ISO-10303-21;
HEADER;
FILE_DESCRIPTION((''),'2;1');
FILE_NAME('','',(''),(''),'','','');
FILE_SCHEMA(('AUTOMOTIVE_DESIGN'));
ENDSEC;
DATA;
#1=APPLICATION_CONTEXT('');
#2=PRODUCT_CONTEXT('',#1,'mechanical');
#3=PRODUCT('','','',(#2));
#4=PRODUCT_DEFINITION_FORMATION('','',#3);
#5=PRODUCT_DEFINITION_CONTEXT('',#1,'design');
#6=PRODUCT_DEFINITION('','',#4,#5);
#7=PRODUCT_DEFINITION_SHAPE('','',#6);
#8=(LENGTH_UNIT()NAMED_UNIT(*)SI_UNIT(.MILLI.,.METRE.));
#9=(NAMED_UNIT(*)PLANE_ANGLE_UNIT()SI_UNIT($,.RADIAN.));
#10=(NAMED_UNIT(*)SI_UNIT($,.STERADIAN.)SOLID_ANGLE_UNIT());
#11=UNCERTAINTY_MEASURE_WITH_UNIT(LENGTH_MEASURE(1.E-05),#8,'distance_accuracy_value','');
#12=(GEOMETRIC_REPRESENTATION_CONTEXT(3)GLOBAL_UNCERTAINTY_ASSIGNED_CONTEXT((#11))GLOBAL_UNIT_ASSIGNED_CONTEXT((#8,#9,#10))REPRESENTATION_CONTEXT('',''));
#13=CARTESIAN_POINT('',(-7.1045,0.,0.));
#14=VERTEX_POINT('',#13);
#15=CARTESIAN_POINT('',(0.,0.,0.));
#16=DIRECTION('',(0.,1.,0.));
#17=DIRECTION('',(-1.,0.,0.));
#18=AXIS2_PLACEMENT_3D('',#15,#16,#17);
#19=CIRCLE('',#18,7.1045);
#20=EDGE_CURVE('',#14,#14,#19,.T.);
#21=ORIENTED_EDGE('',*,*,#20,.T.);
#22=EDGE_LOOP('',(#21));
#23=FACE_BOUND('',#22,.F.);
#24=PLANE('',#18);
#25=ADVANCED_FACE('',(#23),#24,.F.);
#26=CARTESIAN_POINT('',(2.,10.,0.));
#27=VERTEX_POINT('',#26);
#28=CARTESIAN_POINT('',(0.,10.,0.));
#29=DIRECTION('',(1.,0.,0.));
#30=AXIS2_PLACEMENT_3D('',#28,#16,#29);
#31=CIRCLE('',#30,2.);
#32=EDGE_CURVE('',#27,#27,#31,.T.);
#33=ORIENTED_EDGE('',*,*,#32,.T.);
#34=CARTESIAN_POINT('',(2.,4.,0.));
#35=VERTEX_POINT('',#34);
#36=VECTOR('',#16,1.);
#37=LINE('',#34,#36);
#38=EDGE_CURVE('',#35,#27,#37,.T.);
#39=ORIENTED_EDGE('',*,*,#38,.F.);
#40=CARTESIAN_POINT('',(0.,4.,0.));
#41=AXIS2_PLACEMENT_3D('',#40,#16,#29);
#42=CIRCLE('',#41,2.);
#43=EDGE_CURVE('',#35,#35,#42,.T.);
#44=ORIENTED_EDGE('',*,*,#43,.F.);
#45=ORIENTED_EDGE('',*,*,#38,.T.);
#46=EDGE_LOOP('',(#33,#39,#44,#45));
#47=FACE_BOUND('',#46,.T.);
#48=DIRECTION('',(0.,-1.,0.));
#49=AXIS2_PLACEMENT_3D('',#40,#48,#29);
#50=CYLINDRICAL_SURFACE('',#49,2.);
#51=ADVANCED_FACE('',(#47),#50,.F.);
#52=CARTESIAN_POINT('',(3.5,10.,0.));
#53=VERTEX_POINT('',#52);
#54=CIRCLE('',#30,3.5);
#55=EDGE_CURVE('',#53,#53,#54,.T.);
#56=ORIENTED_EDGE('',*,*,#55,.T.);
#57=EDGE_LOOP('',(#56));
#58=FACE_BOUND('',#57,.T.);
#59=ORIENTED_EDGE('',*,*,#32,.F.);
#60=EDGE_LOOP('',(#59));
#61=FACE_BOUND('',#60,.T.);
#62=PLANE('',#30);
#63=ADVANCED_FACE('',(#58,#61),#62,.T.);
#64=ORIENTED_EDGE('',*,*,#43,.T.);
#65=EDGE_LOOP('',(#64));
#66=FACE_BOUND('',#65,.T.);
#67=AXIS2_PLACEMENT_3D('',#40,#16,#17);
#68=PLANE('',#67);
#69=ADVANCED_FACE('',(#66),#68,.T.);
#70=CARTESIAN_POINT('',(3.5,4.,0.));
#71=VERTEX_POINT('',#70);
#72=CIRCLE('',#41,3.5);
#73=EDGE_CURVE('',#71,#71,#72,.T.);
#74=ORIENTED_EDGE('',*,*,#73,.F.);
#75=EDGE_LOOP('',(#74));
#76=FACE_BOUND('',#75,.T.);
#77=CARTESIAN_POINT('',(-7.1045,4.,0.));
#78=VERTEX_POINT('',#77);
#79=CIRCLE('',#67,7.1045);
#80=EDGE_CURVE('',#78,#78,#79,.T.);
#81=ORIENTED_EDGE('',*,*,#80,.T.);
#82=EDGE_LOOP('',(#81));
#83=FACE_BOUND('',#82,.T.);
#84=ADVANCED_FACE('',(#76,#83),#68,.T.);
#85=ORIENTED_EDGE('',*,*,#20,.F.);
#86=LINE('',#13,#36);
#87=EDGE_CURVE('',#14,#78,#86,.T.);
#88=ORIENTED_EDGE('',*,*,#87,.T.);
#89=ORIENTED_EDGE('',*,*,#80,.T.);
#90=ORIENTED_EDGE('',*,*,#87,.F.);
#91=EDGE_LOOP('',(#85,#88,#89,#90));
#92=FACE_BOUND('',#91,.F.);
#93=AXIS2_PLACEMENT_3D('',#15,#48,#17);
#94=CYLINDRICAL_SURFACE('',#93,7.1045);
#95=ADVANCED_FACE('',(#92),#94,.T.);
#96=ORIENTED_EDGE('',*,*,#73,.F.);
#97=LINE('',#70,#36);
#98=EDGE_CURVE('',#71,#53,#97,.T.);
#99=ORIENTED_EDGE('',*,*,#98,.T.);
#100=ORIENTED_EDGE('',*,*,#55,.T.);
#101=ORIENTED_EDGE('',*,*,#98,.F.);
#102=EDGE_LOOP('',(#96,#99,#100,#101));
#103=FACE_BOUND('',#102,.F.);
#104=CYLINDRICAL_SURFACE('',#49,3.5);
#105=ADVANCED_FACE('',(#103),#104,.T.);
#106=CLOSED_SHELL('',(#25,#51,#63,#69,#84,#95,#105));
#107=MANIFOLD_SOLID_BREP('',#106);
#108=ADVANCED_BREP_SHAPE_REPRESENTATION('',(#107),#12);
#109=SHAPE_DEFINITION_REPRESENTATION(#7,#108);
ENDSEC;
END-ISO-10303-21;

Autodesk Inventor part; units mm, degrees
ref_plane "YZ Plane" through (0, 0, 0) normal (1, 0, 0) x (0, 1, 0)
ref_plane "XZ Plane" through (0, 0, 0) normal (0, 1, 0) x (-1, 0, 0)
ref_plane "XY Plane" through (0, 0, 0) normal (0, 0, 1) x (1, 0, 0)
sketch "Sketch1" plane through (0, 0, 0) normal (0, 1, 0) x (-1, 0, 0)
  circle A0 centre (0, 0) radius 7.1045
  dimension "d0" = 14.209
extrude "Extrusion1" add sketch "Sketch1" along normal blind 4
sketch "Sketch2" plane through (0, 4, 0) normal (0, 1, 0) x (1, 0, 0)
  circle A0 centre (0, 0) radius 7.1045 projected
  circle A1 centre (0, 0) radius 3.5
  circle A2 centre (0, 0) radius 2
  dimension "d3" = 7
  dimension "d4" = 4
extrude "Extrusion2" add sketch "Sketch2" along normal blind 6 contours A1
properties part number "ozubene_kolecko_otaceni_ramene_male"
